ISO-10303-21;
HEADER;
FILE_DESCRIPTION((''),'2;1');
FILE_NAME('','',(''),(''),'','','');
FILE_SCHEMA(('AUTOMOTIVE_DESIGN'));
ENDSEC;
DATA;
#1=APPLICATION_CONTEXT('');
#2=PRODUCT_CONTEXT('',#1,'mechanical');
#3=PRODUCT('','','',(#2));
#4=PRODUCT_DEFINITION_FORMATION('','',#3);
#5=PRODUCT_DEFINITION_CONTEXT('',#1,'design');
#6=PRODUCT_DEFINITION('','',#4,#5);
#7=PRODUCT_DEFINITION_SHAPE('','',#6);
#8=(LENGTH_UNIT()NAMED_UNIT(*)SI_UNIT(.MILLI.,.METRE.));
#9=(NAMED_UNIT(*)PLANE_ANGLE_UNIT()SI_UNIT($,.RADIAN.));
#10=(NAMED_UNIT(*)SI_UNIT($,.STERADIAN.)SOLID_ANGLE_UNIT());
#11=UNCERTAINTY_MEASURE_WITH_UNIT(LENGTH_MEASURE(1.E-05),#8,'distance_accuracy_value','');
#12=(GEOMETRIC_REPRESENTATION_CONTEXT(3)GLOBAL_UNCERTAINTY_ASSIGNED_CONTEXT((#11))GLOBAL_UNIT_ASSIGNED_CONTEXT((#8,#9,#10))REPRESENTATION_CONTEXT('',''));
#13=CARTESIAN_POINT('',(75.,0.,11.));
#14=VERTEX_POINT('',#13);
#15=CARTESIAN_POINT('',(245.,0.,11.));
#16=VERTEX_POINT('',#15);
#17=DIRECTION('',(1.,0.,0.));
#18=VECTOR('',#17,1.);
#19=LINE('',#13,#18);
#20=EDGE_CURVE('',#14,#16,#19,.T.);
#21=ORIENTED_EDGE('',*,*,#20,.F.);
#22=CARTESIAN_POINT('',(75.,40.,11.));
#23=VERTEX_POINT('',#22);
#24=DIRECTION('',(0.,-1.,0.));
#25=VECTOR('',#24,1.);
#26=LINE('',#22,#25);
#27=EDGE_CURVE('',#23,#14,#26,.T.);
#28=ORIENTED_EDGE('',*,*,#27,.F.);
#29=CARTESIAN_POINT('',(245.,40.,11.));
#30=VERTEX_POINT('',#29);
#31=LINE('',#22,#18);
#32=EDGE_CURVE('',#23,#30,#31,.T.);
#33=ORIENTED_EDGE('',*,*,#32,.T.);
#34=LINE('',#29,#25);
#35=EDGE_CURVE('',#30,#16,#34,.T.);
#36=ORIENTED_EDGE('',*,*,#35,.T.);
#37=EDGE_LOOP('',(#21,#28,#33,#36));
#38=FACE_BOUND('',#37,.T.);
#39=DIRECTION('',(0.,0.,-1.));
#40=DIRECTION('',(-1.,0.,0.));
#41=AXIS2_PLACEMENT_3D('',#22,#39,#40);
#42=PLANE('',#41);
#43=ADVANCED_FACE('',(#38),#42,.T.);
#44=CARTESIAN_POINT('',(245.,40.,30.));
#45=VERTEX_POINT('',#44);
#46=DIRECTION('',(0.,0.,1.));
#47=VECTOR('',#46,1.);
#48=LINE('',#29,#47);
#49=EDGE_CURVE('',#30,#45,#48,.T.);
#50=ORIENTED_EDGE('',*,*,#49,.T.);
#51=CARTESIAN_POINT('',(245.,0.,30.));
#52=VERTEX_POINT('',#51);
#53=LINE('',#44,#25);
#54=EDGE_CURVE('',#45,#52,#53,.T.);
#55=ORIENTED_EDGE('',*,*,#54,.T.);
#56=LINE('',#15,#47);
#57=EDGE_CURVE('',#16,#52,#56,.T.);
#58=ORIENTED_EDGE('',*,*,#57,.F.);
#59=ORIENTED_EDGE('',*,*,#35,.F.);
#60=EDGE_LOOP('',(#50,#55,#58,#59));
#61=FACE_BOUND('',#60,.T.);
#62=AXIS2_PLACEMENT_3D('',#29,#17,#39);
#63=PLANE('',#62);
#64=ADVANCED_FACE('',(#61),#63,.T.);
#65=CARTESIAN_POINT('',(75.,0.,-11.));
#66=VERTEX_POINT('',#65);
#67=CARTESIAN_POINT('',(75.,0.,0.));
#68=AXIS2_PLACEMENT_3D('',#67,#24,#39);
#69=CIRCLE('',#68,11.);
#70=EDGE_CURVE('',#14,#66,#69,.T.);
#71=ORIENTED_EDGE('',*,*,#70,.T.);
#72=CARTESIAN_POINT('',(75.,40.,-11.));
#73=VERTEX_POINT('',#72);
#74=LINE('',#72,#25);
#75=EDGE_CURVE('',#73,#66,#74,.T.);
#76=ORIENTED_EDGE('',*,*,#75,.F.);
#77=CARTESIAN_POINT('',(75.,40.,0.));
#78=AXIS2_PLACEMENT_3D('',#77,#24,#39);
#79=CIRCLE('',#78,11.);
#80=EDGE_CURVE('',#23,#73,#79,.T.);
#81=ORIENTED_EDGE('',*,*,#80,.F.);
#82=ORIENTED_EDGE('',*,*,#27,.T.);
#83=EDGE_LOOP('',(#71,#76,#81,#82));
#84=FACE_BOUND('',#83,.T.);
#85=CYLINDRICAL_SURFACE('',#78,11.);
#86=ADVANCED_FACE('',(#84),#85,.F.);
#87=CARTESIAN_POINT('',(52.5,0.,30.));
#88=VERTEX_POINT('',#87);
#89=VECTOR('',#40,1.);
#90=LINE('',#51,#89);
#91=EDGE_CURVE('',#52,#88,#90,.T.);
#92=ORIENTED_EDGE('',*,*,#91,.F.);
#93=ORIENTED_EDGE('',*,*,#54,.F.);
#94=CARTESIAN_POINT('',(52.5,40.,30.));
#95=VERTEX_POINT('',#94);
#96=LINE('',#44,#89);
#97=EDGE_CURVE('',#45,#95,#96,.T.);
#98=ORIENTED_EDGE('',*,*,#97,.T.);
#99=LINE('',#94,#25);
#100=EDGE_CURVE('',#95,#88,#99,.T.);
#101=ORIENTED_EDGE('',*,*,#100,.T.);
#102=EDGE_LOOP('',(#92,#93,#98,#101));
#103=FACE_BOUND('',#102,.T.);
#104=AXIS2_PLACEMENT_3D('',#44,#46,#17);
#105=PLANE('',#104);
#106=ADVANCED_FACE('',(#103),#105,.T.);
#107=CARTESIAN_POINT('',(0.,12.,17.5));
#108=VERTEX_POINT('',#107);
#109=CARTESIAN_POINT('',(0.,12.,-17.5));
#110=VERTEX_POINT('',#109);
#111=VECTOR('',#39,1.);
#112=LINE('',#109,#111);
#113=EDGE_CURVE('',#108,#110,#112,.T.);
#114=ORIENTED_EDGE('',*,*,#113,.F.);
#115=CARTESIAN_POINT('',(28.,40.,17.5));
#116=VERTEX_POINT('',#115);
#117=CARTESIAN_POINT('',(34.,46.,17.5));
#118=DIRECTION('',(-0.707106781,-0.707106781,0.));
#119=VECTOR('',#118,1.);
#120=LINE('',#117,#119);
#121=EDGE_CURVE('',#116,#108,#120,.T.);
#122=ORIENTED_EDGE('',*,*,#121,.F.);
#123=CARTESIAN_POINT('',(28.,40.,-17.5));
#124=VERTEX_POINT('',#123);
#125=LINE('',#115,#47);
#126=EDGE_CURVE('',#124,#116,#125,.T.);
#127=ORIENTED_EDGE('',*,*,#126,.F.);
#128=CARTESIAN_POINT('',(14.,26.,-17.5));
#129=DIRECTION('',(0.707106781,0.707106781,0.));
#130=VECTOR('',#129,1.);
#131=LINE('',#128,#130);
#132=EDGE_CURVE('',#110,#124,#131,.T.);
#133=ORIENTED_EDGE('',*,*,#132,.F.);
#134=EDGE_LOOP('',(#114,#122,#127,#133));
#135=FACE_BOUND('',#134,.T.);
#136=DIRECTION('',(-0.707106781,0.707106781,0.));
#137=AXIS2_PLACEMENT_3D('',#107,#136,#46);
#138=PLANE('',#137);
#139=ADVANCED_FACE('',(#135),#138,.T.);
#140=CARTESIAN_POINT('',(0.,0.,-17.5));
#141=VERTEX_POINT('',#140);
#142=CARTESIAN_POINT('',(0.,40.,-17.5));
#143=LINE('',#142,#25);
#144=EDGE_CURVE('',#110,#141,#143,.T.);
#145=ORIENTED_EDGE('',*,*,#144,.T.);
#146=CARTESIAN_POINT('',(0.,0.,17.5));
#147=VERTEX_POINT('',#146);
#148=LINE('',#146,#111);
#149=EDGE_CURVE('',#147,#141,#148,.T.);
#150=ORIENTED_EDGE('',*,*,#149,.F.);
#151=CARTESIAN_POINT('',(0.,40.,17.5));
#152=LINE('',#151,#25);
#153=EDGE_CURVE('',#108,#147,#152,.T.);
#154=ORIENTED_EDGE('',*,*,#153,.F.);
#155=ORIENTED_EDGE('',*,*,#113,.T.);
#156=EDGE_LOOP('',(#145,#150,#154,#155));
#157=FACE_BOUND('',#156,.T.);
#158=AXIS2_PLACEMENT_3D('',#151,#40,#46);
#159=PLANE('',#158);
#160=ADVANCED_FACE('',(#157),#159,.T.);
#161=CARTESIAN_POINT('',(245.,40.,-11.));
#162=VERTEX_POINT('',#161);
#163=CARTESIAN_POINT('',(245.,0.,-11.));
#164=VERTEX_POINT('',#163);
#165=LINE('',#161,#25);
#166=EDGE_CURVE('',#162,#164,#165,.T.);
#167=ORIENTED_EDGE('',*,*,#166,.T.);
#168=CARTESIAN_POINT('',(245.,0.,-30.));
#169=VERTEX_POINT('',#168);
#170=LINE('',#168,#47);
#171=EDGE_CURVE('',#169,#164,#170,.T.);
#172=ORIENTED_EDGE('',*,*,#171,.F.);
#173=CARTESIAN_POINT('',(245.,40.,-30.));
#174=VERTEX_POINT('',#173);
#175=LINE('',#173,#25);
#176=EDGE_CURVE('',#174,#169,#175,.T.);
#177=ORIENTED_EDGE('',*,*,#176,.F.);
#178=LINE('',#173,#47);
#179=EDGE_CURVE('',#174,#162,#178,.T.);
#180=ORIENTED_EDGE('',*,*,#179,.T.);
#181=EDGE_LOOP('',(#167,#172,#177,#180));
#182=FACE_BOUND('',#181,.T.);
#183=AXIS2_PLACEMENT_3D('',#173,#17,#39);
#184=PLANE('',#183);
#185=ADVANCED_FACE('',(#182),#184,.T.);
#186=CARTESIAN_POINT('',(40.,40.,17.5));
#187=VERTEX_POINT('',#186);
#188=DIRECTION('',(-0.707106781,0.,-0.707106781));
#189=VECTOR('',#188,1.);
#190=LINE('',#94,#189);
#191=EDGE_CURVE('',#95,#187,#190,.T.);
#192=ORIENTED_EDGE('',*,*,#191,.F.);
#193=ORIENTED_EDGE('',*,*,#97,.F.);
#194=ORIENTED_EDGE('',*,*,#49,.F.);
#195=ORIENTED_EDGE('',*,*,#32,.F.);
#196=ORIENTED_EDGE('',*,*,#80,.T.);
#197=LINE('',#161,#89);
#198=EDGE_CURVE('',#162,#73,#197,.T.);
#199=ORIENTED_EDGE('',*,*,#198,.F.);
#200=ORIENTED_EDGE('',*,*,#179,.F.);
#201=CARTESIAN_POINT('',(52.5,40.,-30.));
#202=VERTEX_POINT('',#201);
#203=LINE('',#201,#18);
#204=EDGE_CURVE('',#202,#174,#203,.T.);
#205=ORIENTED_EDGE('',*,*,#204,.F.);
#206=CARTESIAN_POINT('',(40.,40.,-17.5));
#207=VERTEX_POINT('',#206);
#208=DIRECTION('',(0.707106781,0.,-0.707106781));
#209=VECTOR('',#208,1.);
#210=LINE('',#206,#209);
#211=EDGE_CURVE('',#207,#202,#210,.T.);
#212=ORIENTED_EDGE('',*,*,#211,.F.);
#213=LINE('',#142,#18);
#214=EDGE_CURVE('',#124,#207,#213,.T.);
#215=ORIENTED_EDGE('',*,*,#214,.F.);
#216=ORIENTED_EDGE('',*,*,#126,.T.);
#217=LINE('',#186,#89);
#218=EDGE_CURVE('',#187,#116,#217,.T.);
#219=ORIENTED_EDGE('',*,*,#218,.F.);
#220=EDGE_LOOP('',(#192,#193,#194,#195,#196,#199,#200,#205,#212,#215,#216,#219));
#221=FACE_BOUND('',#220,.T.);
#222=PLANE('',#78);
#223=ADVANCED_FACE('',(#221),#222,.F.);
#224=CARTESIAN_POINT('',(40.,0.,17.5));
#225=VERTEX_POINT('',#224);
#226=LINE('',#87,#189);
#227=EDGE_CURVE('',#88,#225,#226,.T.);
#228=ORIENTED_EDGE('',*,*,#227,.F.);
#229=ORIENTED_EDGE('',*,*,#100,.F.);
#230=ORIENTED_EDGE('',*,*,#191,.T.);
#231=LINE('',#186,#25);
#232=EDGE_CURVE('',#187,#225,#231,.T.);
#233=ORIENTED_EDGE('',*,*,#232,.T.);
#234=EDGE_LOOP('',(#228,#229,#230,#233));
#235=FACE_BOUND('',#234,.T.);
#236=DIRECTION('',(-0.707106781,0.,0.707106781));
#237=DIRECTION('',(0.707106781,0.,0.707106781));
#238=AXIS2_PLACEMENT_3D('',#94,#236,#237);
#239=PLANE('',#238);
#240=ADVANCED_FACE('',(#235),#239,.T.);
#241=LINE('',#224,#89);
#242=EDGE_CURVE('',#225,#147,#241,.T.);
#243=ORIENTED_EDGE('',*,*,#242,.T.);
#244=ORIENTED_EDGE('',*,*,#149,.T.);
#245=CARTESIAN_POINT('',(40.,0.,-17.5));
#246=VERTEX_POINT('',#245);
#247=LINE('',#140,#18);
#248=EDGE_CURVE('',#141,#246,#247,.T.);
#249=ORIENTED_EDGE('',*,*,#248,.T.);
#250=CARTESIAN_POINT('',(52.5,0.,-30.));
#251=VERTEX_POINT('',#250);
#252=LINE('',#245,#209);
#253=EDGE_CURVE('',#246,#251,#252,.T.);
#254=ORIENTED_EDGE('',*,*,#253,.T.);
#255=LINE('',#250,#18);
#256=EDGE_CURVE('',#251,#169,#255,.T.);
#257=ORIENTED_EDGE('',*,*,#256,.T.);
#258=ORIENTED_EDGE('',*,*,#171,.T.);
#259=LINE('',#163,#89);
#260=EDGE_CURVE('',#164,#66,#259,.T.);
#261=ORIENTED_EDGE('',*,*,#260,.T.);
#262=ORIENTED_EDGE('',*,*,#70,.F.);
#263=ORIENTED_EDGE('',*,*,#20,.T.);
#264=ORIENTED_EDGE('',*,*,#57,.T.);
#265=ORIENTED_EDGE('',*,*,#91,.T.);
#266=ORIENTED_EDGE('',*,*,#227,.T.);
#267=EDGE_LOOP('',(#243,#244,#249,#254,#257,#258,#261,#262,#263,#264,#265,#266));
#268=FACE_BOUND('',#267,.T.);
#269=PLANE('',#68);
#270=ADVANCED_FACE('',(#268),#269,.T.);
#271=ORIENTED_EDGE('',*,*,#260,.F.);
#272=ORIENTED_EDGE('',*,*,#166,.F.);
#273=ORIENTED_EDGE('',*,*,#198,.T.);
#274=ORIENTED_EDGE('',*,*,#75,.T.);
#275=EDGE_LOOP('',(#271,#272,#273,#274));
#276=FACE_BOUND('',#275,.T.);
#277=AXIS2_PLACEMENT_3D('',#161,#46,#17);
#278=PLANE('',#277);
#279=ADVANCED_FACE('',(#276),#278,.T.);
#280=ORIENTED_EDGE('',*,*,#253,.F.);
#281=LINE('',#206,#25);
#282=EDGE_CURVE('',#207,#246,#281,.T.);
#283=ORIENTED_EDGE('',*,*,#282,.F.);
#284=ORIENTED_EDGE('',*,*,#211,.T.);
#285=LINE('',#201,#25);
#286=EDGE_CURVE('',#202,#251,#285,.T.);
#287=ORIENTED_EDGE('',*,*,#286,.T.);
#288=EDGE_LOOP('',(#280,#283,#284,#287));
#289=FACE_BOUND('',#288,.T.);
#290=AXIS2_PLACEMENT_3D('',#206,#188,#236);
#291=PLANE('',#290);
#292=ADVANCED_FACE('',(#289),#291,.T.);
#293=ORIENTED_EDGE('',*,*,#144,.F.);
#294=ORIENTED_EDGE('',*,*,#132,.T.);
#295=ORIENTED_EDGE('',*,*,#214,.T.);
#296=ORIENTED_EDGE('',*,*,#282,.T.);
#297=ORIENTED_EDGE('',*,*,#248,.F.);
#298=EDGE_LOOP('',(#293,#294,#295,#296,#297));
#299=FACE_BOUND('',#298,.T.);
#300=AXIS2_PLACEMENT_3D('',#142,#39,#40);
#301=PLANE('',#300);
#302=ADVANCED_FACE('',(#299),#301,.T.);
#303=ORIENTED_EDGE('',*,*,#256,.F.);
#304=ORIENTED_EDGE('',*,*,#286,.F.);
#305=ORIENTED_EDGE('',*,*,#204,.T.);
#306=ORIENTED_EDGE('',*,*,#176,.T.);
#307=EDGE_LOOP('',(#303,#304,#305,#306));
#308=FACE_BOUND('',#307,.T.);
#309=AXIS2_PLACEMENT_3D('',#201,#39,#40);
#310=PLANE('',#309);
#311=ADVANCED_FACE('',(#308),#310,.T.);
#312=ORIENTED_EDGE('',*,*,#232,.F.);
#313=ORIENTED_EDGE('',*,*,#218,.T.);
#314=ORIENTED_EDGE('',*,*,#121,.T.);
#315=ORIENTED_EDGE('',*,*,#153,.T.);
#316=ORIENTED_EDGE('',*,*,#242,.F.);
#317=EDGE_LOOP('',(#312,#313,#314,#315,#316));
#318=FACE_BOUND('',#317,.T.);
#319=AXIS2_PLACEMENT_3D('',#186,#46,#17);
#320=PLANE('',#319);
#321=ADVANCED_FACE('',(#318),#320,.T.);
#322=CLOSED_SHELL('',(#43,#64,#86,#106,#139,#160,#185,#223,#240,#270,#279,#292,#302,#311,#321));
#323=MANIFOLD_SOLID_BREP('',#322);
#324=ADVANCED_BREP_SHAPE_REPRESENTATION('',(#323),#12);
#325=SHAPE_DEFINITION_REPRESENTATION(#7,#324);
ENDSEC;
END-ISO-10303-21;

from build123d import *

# Parameters (mm, degrees)
BOSS_EXTRUDE1_DEPTH = 40
CHAMFER1_SIZE       = 28


with BuildPart() as part:
    # Sketch1 → Boss-Extrude1 (new body)
    with BuildSketch(Plane(origin=(0, 0, 0), x_dir=(1, 0, 0), z_dir=(0, 1, 0))):
        with BuildLine():
            Line((0, 0), (0, 17.5))
            Line((0, 17.5), (40, 17.5))
            Line((40, 17.5), (52.5, 30))
            Line((52.5, 30), (245, 30))
            Line((245, 30), (245, 11))
            Line((245, 11), (75, 11))
            ThreePointArc((75, 11), (64, 0), (75, -11))
            Line((75, -11), (245, -11))
            Line((245, -11), (245, -30))
            Line((245, -30), (52.5, -30))
            Line((52.5, -30), (40, -17.5))
            Line((40, -17.5), (0, -17.5))
            Line((0, -17.5), (0, 0))
        make_face()
    extrude(amount=BOSS_EXTRUDE1_DEPTH)

    # Chamfer1
    chamfer1_edges = [part.edges().sort_by_distance(p)[0] for p in [
        (0, 40, 0),
    ]]
    chamfer(chamfer1_edges, length=CHAMFER1_SIZE)


solid = part.part
